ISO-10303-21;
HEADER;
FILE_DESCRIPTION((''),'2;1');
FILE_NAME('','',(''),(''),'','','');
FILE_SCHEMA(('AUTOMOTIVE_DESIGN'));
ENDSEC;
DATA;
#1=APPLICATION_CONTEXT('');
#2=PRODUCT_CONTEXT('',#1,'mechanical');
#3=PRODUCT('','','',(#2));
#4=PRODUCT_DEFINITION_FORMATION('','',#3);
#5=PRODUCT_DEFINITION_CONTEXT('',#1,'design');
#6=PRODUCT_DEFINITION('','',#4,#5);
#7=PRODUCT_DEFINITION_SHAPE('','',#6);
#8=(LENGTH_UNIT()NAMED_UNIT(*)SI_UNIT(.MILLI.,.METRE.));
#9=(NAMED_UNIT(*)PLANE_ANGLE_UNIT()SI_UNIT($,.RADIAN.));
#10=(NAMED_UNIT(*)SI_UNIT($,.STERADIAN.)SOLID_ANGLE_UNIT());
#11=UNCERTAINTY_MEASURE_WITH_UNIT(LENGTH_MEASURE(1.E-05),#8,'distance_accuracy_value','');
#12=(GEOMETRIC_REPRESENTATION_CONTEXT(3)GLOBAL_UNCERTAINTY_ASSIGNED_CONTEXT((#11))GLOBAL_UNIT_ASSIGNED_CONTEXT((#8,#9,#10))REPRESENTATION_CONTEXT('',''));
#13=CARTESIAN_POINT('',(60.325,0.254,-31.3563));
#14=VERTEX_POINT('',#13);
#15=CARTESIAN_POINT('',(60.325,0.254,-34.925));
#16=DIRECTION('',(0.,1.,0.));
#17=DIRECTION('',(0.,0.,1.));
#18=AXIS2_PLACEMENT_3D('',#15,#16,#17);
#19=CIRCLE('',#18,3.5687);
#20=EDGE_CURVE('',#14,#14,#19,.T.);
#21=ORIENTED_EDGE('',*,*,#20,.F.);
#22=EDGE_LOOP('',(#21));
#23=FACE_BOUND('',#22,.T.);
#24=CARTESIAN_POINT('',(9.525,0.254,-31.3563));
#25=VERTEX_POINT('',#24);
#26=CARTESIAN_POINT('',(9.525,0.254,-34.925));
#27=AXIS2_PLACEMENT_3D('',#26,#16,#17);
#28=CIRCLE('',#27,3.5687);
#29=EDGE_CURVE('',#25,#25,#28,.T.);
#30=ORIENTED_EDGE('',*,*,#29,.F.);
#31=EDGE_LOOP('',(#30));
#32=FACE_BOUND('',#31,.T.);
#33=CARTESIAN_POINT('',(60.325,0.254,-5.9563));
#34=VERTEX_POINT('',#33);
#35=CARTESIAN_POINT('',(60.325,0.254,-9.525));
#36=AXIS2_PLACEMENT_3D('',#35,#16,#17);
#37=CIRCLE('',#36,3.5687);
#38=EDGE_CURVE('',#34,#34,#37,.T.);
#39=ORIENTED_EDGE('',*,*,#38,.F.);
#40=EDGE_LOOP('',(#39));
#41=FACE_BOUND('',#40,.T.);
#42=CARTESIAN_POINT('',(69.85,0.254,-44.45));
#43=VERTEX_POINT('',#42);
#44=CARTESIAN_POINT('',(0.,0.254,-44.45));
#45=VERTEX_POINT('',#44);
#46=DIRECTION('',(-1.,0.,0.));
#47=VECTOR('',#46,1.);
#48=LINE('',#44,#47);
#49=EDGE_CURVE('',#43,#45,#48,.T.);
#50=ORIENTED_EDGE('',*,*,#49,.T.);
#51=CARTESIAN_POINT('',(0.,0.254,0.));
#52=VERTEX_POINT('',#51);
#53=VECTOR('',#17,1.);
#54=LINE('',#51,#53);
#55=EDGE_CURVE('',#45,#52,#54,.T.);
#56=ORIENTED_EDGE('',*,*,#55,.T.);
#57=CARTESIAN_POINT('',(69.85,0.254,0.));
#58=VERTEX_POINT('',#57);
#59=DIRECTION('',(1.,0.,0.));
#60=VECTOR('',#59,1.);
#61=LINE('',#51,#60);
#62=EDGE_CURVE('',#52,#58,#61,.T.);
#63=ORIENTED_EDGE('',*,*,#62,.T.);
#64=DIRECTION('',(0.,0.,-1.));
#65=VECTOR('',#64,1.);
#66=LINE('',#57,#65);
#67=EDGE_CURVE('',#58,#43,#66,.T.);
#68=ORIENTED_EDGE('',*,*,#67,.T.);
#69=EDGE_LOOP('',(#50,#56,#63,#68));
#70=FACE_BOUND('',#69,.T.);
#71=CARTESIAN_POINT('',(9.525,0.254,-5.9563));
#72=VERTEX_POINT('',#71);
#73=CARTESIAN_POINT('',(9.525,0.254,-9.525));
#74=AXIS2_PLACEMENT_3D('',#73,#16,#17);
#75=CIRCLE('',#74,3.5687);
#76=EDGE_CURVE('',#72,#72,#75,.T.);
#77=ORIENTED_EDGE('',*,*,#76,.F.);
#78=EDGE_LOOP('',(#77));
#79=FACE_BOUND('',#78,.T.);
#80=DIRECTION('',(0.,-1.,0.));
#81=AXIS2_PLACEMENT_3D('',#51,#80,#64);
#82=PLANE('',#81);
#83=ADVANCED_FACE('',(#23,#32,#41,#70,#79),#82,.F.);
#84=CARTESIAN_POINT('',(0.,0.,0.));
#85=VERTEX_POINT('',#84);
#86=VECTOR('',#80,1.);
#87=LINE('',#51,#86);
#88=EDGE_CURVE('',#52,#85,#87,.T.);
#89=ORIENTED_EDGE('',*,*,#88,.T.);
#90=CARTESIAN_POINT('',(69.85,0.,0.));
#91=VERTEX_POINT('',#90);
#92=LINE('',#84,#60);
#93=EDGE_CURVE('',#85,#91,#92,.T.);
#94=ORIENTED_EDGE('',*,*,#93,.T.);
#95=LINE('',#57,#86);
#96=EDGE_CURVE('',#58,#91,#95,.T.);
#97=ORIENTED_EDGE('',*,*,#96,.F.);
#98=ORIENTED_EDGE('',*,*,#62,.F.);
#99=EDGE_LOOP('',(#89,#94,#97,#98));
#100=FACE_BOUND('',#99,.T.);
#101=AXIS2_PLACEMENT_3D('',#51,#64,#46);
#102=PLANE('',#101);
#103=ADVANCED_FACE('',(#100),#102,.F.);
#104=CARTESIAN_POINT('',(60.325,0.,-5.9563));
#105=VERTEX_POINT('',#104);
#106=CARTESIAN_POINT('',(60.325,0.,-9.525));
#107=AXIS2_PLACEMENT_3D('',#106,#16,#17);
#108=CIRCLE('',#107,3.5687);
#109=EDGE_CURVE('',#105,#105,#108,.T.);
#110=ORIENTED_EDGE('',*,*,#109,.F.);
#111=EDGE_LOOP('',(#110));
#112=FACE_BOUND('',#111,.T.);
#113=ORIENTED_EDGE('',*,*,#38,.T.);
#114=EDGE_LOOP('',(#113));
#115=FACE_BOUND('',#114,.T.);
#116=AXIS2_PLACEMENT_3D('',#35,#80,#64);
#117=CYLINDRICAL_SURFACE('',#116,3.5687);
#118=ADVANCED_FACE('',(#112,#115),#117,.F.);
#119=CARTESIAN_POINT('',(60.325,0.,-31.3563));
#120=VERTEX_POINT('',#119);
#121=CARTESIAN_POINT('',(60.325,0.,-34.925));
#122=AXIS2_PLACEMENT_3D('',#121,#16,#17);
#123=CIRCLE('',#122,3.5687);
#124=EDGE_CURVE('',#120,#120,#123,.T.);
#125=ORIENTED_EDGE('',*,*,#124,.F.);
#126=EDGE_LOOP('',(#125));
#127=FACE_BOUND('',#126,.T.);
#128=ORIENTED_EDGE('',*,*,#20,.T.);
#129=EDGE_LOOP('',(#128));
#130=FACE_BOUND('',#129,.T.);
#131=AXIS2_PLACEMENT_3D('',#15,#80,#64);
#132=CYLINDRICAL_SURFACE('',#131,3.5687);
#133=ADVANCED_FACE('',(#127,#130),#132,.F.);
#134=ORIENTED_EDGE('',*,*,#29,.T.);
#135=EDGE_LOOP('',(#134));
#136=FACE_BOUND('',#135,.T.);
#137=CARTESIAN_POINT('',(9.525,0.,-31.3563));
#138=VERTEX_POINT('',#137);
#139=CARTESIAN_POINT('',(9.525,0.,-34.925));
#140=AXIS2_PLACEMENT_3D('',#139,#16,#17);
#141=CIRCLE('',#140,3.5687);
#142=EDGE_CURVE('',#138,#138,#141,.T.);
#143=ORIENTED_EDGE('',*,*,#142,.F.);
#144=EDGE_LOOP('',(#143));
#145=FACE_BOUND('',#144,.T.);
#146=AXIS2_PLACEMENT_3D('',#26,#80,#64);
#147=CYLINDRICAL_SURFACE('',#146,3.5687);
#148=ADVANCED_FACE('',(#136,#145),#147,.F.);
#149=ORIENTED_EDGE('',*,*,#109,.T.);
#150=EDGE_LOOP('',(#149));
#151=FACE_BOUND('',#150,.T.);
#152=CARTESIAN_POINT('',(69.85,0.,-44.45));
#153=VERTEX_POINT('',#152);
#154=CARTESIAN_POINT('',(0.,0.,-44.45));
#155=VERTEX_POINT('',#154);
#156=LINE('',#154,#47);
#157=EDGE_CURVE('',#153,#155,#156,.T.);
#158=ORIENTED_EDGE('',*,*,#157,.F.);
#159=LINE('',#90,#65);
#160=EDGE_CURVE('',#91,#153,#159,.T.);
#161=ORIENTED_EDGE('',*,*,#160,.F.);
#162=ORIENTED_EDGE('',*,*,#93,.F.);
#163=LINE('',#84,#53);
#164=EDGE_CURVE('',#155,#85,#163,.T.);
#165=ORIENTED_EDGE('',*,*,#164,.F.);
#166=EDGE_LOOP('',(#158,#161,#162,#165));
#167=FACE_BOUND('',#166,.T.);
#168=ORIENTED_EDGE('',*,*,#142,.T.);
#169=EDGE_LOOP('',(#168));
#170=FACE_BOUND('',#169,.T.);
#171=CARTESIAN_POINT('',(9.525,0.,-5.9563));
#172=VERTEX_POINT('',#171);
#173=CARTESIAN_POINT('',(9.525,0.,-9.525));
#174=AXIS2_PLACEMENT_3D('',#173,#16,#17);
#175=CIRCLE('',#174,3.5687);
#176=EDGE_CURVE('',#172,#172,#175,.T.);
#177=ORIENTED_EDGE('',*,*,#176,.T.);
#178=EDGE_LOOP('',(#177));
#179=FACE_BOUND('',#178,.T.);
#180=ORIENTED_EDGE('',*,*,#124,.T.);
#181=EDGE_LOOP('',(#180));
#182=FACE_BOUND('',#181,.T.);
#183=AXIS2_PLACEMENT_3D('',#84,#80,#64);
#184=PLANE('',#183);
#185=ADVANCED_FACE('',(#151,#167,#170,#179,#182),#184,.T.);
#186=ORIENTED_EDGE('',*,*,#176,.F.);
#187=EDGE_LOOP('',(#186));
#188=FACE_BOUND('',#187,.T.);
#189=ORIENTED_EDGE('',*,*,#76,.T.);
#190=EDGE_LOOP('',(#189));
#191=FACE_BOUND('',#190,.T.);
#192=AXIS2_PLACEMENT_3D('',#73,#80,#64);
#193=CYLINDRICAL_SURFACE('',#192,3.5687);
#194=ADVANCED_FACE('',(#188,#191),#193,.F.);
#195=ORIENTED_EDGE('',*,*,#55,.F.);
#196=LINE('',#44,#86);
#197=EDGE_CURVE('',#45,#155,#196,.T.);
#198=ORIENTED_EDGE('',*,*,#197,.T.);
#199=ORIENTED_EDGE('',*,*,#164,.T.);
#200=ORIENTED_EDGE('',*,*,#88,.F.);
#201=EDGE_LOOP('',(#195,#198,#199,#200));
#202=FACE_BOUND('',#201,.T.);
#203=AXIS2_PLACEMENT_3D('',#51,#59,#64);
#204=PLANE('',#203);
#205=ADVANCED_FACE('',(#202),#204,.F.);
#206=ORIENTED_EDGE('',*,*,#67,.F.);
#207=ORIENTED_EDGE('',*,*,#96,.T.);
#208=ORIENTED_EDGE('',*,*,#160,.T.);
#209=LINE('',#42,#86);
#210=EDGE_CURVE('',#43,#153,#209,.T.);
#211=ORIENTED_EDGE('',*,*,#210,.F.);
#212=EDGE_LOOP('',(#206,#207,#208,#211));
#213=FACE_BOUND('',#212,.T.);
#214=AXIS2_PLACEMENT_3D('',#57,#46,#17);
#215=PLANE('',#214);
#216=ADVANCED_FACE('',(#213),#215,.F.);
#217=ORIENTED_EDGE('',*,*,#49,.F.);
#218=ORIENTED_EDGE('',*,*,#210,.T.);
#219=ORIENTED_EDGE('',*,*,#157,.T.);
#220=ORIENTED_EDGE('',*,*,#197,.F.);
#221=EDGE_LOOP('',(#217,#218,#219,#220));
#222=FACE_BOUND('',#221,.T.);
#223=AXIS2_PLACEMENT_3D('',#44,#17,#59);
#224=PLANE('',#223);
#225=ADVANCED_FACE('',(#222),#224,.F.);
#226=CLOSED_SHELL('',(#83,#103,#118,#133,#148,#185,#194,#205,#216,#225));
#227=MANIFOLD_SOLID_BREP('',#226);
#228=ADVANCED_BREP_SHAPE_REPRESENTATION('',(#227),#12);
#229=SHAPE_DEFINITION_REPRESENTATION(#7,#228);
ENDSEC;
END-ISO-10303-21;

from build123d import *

# Parameters (mm, degrees)
SKETCH1_W           = 69.85
SKETCH1_H           = 44.45
SKETCH1_R           = 3.5687
BOSS_EXTRUDE1_DEPTH = 0.254


with BuildPart() as part:
    # Sketch1 → Boss-Extrude1 (new body)
    with BuildSketch(Plane(origin=(0, 0, 0), x_dir=(1, 0, 0), z_dir=(0, 1, 0))):
        with Locations((34.925, 22.225)):
            Rectangle(SKETCH1_W, SKETCH1_H)
        with Locations((9.525, 9.525)):
            Circle(SKETCH1_R, mode=Mode.SUBTRACT)
        with Locations((9.525, 34.925)):
            Circle(SKETCH1_R, mode=Mode.SUBTRACT)
        with Locations((60.325, 9.525)):
            Circle(SKETCH1_R, mode=Mode.SUBTRACT)
        with Locations((60.325, 34.925)):
            Circle(SKETCH1_R, mode=Mode.SUBTRACT)
    extrude(amount=BOSS_EXTRUDE1_DEPTH)


solid = part.part
